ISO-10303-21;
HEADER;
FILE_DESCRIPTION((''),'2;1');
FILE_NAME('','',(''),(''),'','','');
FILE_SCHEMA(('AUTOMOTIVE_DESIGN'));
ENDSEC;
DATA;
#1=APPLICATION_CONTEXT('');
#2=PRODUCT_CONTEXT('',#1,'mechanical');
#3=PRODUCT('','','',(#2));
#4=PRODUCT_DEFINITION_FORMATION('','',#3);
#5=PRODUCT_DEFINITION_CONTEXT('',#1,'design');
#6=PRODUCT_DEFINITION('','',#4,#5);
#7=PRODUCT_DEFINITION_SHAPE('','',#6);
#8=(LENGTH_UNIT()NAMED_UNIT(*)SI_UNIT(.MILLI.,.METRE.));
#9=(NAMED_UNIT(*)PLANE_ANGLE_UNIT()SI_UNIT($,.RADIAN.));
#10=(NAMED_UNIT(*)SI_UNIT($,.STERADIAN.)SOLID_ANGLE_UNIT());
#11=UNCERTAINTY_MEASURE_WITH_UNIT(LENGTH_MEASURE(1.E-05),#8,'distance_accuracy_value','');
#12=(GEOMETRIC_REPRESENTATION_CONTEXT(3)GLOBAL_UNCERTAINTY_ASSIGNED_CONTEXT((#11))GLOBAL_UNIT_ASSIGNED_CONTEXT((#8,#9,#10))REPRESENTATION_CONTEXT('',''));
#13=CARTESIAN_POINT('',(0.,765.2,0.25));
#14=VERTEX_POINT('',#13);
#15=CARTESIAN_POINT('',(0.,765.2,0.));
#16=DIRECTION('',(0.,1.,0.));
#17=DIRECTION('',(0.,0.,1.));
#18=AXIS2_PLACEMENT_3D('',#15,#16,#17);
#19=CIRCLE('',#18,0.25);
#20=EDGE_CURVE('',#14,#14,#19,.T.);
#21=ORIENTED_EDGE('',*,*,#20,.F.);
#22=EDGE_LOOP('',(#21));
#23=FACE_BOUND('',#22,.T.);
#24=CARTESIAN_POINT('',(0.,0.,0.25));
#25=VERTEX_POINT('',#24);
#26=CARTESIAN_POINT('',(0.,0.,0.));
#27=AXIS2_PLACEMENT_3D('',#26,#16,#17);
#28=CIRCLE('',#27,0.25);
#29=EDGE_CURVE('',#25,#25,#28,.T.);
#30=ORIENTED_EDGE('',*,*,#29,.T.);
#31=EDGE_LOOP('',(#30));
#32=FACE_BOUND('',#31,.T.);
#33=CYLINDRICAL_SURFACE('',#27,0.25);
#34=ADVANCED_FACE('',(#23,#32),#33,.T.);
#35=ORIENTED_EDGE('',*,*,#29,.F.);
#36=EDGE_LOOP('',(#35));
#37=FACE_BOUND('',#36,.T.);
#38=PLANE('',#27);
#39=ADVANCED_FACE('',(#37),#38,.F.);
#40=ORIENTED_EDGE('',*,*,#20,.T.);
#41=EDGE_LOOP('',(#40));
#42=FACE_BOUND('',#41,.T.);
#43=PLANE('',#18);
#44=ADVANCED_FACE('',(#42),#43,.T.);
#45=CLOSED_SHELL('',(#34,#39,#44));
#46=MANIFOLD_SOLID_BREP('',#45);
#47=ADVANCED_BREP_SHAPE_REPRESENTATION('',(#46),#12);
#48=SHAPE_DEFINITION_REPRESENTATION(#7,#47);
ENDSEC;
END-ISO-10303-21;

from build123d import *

# Parameters (mm, degrees)
SKETCH3_R = 0.25


with BuildPart() as part:
    # Sweep1: sweep along a path in Sketch2
    with BuildLine(Plane.XY) as sweep1_path:
        Line((0, 0), (0, 765.2))
    # Sketch3 → Sweep1 (sweep)
    with BuildSketch(Plane(origin=(0, 0, 0), x_dir=(1, 0, 0), z_dir=(0, 1, 0))):
        Circle(SKETCH3_R)
    sweep(path=sweep1_path.line)


solid = part.part
